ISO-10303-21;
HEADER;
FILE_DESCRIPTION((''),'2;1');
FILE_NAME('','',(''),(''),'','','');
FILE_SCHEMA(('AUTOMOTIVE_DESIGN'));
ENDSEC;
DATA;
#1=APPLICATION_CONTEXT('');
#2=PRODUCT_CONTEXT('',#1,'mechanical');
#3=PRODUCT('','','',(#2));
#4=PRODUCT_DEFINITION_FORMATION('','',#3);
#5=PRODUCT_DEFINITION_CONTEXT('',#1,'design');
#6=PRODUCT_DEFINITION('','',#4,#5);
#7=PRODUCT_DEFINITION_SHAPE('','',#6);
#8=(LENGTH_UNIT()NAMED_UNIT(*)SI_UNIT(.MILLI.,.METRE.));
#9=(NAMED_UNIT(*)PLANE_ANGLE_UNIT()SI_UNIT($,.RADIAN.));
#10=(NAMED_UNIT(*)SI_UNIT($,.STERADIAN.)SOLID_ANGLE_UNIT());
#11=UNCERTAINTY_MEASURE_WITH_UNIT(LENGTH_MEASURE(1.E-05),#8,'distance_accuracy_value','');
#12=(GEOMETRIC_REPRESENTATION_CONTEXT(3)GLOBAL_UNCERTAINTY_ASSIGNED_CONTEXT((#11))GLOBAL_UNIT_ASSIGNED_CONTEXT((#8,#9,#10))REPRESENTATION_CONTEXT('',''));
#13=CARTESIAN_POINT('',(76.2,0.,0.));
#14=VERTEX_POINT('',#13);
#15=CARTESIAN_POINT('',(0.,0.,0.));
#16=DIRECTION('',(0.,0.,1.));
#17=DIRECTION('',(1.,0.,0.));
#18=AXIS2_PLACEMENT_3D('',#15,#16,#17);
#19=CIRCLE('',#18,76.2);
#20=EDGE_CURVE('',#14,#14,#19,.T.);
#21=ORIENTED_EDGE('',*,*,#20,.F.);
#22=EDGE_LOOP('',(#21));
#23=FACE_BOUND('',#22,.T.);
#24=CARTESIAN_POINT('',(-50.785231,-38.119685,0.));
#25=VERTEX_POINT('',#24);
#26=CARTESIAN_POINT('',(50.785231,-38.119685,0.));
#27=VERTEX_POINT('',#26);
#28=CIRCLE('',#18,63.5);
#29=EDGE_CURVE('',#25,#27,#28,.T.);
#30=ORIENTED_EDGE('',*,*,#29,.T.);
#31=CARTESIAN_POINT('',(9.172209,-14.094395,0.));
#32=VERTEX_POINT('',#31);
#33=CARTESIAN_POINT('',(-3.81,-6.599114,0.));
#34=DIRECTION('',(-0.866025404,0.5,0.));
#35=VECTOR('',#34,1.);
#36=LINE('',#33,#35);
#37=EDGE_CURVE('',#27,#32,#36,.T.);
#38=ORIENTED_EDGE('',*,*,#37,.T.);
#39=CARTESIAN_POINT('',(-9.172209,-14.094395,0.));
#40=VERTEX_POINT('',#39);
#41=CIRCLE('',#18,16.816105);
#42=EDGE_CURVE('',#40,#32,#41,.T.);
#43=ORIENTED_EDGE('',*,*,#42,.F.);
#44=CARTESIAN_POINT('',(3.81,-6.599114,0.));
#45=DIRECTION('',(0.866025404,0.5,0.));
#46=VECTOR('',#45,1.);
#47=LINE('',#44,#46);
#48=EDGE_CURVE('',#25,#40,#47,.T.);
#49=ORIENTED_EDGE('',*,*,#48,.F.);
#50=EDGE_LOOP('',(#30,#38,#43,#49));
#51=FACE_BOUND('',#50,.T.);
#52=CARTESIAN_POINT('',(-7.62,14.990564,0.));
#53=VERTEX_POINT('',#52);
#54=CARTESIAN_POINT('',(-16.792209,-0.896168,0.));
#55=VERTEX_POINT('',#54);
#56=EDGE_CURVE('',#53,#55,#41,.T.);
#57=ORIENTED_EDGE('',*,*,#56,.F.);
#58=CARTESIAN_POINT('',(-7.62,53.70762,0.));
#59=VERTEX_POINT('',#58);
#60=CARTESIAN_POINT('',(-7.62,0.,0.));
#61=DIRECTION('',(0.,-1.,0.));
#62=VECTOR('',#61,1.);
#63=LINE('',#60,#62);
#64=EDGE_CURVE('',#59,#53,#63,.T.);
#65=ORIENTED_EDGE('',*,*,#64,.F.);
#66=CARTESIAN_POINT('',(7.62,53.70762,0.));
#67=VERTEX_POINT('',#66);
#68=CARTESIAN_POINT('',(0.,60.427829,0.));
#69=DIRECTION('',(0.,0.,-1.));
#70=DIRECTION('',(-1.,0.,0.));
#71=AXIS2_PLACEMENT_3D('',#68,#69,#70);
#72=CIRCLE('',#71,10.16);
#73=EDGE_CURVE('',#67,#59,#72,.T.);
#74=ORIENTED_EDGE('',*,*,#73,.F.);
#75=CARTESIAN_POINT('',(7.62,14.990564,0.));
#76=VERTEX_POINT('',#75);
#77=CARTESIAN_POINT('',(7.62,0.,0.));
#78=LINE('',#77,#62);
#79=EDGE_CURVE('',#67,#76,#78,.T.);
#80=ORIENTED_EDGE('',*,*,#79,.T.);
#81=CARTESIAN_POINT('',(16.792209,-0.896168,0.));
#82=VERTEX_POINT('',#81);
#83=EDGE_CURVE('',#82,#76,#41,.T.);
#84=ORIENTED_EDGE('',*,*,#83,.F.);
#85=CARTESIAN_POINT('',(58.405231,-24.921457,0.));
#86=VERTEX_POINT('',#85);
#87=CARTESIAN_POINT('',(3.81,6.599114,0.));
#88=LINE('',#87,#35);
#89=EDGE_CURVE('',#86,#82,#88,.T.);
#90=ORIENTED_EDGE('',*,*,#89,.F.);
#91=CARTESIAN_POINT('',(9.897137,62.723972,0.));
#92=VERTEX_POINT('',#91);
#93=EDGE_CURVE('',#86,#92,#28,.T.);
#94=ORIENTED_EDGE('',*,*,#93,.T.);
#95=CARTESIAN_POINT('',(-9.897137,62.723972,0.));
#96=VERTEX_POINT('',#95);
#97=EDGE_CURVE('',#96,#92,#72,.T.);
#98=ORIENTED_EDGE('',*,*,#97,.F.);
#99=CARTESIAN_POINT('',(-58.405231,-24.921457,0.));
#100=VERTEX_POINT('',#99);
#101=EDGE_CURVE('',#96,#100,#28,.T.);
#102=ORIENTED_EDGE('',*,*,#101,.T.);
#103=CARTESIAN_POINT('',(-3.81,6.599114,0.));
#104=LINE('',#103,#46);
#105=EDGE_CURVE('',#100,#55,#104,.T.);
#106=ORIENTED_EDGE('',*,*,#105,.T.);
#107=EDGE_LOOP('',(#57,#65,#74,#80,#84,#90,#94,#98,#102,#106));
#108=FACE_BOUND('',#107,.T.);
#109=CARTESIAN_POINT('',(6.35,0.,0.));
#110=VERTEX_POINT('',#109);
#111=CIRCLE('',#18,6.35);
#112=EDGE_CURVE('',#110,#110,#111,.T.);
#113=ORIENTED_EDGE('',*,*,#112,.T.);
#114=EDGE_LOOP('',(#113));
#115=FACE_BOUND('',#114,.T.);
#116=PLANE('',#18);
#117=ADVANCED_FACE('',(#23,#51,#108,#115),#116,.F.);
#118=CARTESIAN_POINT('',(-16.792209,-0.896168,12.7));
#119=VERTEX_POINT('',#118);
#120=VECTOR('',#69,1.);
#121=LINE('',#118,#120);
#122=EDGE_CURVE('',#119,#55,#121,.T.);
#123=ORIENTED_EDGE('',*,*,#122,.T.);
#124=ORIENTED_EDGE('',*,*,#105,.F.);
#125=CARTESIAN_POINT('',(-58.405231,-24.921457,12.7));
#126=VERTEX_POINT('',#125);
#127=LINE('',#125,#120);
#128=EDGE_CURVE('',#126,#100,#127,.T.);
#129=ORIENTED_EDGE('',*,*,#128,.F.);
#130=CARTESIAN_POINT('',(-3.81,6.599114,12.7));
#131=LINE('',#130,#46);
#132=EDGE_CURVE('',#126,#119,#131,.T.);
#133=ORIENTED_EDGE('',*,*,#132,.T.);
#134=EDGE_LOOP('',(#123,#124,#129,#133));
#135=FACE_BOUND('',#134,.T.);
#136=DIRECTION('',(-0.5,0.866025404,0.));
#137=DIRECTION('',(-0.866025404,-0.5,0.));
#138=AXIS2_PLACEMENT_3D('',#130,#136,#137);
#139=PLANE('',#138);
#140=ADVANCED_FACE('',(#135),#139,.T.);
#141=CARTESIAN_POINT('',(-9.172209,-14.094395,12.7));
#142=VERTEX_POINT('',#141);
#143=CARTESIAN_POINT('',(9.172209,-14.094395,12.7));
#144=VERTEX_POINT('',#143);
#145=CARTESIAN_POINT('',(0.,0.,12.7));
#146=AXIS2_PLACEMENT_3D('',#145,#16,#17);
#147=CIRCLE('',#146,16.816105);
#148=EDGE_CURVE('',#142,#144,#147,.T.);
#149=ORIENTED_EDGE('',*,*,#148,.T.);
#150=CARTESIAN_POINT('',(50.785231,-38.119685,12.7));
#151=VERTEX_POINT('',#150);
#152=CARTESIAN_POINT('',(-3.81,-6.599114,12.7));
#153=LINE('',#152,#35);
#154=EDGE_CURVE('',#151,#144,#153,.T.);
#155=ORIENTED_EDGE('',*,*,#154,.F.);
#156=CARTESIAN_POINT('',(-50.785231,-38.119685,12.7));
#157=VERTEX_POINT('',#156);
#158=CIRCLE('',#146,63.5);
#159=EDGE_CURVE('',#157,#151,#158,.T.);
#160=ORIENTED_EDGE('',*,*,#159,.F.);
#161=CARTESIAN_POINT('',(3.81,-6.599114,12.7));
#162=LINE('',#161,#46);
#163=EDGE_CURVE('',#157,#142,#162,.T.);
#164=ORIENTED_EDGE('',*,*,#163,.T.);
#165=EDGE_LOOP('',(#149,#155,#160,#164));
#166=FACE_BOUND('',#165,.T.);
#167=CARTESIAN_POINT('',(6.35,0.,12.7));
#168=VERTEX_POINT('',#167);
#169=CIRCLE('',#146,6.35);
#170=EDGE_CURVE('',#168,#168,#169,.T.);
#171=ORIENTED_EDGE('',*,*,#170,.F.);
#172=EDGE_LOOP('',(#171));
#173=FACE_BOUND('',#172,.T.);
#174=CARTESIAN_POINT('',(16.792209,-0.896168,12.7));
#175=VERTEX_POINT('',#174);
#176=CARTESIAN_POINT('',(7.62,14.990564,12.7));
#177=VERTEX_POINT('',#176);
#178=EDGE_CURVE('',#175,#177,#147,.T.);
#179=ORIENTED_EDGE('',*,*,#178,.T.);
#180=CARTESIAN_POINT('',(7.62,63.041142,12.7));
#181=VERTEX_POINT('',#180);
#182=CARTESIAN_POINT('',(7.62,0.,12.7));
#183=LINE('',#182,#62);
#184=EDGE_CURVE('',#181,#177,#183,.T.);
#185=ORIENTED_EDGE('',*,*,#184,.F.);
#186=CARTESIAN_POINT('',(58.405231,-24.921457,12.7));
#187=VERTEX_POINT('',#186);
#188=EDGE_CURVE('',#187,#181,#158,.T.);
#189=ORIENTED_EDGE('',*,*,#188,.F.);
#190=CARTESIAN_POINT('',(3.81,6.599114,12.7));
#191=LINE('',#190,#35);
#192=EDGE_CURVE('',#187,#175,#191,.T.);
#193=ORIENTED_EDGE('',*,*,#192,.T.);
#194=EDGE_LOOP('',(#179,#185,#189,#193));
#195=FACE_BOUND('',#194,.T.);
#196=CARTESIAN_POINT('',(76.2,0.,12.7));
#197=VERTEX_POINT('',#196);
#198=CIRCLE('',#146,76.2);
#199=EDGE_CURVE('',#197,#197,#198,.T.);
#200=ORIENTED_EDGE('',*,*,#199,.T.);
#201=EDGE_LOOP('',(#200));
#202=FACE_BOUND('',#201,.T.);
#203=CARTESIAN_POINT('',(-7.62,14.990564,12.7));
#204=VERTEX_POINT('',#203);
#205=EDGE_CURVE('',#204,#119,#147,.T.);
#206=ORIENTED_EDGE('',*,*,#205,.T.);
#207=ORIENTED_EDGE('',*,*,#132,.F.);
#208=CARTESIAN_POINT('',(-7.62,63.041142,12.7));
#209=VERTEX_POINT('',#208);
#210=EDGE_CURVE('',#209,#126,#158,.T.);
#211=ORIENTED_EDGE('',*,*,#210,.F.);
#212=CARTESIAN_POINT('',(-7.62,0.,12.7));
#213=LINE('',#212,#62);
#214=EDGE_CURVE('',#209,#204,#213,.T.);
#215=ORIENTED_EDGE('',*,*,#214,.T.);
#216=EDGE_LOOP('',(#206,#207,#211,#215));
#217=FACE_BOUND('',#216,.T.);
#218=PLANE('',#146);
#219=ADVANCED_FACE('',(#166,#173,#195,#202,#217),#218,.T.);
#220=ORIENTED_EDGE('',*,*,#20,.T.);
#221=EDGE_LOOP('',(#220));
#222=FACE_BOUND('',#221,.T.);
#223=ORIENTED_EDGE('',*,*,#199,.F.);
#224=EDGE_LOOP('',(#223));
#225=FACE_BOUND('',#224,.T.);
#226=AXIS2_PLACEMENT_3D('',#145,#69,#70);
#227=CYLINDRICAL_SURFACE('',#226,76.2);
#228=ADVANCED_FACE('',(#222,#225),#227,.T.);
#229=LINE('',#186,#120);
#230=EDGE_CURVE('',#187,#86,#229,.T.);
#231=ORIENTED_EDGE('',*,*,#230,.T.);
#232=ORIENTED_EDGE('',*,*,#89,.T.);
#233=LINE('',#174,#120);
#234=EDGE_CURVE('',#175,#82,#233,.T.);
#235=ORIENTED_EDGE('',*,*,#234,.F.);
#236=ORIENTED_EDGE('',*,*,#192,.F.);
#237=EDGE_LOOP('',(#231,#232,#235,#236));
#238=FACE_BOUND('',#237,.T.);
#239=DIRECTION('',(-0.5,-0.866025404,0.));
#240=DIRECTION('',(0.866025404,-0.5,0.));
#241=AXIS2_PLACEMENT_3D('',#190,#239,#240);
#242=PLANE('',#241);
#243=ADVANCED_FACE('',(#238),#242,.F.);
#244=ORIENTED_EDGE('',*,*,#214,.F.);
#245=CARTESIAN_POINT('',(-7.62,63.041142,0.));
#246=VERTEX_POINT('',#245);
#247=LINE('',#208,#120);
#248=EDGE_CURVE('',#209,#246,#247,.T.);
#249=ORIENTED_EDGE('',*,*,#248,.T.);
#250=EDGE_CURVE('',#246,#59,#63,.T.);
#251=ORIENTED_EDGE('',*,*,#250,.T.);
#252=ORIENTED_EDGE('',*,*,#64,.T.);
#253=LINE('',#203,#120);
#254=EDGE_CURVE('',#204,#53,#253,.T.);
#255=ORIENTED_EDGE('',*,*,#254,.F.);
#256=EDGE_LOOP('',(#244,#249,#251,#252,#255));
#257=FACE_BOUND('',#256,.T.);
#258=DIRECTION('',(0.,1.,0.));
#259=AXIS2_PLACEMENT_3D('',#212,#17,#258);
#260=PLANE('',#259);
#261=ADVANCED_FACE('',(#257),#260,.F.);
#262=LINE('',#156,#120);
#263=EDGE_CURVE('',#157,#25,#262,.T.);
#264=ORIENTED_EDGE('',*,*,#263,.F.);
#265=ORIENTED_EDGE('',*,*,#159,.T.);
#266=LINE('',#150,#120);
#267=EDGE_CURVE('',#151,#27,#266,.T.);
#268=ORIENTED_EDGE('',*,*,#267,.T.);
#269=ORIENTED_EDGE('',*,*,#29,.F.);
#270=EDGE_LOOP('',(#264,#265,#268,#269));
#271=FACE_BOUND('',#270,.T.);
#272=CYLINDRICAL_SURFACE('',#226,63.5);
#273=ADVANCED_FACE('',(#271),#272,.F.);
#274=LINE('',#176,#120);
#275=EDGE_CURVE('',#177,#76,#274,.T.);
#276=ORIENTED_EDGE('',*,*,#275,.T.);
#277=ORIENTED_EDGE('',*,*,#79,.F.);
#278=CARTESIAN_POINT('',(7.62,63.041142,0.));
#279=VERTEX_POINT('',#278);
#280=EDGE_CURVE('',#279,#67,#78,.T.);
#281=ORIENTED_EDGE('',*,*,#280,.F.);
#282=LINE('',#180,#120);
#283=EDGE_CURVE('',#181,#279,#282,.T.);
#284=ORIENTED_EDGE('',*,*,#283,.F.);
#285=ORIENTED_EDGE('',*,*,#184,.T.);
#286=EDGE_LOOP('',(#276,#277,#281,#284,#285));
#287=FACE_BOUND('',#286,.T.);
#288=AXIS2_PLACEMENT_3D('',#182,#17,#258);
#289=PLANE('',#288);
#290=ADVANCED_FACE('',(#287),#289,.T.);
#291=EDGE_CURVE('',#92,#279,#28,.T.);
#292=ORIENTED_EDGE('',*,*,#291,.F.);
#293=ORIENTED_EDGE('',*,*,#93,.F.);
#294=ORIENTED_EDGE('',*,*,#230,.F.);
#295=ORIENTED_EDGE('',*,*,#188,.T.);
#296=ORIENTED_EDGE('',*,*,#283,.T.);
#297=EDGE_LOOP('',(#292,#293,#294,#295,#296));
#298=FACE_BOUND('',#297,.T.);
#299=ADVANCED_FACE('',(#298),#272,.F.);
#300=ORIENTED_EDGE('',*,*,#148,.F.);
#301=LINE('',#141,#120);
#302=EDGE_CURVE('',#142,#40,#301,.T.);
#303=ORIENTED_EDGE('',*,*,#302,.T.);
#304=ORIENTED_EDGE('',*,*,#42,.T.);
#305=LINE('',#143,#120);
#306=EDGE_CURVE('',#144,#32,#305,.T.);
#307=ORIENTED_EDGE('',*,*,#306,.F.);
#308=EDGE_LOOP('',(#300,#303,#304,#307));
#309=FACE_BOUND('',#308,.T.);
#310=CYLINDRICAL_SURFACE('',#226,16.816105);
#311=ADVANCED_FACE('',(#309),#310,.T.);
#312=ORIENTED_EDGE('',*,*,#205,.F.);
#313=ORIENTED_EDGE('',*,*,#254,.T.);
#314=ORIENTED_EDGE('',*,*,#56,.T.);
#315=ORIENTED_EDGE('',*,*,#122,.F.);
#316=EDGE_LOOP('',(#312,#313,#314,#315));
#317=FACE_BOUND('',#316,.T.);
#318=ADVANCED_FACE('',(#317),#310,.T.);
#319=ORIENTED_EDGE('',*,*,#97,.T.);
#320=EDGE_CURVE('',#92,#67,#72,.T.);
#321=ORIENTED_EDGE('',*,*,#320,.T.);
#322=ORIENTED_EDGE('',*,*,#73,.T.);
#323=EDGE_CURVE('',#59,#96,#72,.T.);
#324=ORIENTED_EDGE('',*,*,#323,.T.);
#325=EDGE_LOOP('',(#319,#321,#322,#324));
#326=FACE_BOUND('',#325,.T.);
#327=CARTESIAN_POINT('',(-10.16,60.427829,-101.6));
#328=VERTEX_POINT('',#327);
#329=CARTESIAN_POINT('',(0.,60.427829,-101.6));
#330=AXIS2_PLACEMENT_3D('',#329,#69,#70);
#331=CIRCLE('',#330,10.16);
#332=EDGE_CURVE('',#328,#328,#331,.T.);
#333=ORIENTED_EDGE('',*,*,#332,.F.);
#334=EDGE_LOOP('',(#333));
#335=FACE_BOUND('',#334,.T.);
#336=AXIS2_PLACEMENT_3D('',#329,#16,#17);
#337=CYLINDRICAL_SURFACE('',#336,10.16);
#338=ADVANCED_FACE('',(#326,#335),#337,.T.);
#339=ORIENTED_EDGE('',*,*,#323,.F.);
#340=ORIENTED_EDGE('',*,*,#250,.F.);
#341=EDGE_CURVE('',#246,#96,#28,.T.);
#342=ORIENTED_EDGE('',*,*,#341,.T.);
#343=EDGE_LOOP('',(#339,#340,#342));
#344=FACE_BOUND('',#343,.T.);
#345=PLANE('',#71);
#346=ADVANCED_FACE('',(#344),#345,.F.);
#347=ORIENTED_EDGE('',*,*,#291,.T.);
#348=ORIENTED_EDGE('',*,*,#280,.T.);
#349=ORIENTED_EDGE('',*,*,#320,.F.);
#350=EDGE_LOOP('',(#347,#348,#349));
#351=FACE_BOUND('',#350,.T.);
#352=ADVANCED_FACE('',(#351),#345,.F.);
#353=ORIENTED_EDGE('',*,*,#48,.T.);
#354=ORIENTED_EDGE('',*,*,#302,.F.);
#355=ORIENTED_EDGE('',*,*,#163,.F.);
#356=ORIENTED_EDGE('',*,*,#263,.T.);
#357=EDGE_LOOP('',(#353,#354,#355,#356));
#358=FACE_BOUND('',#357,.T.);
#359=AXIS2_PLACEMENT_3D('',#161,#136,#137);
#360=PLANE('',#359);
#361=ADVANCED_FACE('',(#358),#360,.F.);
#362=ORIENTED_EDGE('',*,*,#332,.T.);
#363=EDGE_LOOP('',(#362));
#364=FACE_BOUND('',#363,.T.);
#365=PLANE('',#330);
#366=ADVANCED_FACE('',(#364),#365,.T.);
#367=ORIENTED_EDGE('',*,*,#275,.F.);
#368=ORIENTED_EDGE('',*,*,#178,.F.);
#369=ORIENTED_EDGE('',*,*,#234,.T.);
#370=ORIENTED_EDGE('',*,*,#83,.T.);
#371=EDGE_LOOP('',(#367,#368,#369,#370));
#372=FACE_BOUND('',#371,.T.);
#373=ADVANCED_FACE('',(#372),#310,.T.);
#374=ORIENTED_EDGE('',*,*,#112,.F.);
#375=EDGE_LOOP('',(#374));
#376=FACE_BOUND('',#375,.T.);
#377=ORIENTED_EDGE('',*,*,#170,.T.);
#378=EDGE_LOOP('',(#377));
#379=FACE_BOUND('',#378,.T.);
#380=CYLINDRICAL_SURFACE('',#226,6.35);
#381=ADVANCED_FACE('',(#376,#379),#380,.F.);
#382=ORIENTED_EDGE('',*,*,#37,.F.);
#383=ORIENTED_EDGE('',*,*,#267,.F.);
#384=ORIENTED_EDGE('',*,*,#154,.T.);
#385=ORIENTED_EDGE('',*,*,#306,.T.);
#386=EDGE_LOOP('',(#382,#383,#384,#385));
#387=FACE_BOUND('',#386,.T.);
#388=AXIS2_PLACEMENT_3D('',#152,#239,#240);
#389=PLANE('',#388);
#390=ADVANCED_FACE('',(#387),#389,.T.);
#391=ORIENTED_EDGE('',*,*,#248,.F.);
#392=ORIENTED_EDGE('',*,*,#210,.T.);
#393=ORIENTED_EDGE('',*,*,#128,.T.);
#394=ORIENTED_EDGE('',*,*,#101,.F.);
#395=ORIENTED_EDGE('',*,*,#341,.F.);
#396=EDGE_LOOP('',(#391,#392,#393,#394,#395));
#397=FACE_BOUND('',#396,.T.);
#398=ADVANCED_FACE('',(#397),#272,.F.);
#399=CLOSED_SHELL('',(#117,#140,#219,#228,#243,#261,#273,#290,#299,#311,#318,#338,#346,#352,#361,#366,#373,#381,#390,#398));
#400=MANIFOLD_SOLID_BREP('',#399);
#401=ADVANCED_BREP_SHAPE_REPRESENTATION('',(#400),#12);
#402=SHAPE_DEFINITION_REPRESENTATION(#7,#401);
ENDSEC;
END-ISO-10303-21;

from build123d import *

# Parameters (mm, degrees)
SKETCH1_R           = 76.2
SKETCH1_R_2         = 63.5
SKETCH1_R_3         = 16.816105372
SKETCH1_R_4         = 6.35
BOSS_EXTRUDE1_DEPTH = 12.7
SKETCH2_R           = 10.16
BOSS_EXTRUDE2_DEPTH = 101.6


with BuildPart() as part:
    # Sketch1 → Boss-Extrude1 (new body)
    # profile 1 of 6: a face of its own
    with BuildSketch(Plane.XY):
        Circle(SKETCH1_R)
        Circle(SKETCH1_R_2, mode=Mode.SUBTRACT)
    # profile 2 of 6: a face of its own
    with BuildSketch(Plane.XY):
        with BuildLine():
            ThreePointArc((-7.62, 14.990563695), (-3.917811966, 16.353352845), (0, 16.816105372))
            Line((0, 16.816105372), (0, 63.5))
            ThreePointArc((0, 63.5), (-3.816901576, 63.385181725), (-7.62, 63.041142122))
            Line((-7.62, 63.041142122), (-7.62, 14.990563695))
        make_face()
    # profile 3 of 6: a face of its own
    with BuildSketch(Plane.XY):
        with BuildLine():
            Line((0, 63.5), (0, 16.816105372))
            ThreePointArc((0, 16.816105372), (3.917811966, 16.353352845), (7.62, 14.990563695))
            Line((7.62, 14.990563695), (7.62, 63.041142122))
            ThreePointArc((7.62, 63.041142122), (3.816901576, 63.385181725), (0, 63.5))
        make_face()
    # profile 4 of 6: a face of its own
    with BuildSketch(Plane.XY):
        with BuildLine():
            ThreePointArc((-9.172208976, -14.094395424), (-14.563174445, -8.408052686), (-16.792208976, -0.89616827))
            Line((-16.792208976, -0.89616827), (-58.405230561, -24.921457484))
            ThreePointArc((-58.405230561, -24.921457484), (-54.99261314, -31.75), (-50.785230561, -38.119684638))
            Line((-50.785230561, -38.119684638), (-9.172208976, -14.094395424))
        make_face()
    # profile 5 of 6: a face of its own
    with BuildSketch(Plane.XY):
        with BuildLine():
            Line((58.405230561, -24.921457484), (16.792208976, -0.89616827))
            ThreePointArc((16.792208976, -0.89616827), (14.563174445, -8.408052686), (9.172208976, -14.094395424))
            Line((9.172208976, -14.094395424), (50.785230561, -38.119684638))
            ThreePointArc((50.785230561, -38.119684638), (54.99261314, -31.75), (58.405230561, -24.921457484))
        make_face()
    # profile 6 of 6: a face of its own
    with BuildSketch(Plane.XY):
        Circle(SKETCH1_R_3)
        Circle(SKETCH1_R_4, mode=Mode.SUBTRACT)
    extrude(amount=BOSS_EXTRUDE1_DEPTH)

    # Sketch2 → Boss-Extrude2 (add)
    with BuildSketch(Plane(origin=(0, 0, 0), x_dir=(-1, 0, 0), z_dir=(0, 0, -1))):
        with Locations(Location((0, 60.427828817, 0), (0, 0, 166.938408153))):
            Circle(SKETCH2_R)
    extrude(amount=BOSS_EXTRUDE2_DEPTH)


solid = part.part
